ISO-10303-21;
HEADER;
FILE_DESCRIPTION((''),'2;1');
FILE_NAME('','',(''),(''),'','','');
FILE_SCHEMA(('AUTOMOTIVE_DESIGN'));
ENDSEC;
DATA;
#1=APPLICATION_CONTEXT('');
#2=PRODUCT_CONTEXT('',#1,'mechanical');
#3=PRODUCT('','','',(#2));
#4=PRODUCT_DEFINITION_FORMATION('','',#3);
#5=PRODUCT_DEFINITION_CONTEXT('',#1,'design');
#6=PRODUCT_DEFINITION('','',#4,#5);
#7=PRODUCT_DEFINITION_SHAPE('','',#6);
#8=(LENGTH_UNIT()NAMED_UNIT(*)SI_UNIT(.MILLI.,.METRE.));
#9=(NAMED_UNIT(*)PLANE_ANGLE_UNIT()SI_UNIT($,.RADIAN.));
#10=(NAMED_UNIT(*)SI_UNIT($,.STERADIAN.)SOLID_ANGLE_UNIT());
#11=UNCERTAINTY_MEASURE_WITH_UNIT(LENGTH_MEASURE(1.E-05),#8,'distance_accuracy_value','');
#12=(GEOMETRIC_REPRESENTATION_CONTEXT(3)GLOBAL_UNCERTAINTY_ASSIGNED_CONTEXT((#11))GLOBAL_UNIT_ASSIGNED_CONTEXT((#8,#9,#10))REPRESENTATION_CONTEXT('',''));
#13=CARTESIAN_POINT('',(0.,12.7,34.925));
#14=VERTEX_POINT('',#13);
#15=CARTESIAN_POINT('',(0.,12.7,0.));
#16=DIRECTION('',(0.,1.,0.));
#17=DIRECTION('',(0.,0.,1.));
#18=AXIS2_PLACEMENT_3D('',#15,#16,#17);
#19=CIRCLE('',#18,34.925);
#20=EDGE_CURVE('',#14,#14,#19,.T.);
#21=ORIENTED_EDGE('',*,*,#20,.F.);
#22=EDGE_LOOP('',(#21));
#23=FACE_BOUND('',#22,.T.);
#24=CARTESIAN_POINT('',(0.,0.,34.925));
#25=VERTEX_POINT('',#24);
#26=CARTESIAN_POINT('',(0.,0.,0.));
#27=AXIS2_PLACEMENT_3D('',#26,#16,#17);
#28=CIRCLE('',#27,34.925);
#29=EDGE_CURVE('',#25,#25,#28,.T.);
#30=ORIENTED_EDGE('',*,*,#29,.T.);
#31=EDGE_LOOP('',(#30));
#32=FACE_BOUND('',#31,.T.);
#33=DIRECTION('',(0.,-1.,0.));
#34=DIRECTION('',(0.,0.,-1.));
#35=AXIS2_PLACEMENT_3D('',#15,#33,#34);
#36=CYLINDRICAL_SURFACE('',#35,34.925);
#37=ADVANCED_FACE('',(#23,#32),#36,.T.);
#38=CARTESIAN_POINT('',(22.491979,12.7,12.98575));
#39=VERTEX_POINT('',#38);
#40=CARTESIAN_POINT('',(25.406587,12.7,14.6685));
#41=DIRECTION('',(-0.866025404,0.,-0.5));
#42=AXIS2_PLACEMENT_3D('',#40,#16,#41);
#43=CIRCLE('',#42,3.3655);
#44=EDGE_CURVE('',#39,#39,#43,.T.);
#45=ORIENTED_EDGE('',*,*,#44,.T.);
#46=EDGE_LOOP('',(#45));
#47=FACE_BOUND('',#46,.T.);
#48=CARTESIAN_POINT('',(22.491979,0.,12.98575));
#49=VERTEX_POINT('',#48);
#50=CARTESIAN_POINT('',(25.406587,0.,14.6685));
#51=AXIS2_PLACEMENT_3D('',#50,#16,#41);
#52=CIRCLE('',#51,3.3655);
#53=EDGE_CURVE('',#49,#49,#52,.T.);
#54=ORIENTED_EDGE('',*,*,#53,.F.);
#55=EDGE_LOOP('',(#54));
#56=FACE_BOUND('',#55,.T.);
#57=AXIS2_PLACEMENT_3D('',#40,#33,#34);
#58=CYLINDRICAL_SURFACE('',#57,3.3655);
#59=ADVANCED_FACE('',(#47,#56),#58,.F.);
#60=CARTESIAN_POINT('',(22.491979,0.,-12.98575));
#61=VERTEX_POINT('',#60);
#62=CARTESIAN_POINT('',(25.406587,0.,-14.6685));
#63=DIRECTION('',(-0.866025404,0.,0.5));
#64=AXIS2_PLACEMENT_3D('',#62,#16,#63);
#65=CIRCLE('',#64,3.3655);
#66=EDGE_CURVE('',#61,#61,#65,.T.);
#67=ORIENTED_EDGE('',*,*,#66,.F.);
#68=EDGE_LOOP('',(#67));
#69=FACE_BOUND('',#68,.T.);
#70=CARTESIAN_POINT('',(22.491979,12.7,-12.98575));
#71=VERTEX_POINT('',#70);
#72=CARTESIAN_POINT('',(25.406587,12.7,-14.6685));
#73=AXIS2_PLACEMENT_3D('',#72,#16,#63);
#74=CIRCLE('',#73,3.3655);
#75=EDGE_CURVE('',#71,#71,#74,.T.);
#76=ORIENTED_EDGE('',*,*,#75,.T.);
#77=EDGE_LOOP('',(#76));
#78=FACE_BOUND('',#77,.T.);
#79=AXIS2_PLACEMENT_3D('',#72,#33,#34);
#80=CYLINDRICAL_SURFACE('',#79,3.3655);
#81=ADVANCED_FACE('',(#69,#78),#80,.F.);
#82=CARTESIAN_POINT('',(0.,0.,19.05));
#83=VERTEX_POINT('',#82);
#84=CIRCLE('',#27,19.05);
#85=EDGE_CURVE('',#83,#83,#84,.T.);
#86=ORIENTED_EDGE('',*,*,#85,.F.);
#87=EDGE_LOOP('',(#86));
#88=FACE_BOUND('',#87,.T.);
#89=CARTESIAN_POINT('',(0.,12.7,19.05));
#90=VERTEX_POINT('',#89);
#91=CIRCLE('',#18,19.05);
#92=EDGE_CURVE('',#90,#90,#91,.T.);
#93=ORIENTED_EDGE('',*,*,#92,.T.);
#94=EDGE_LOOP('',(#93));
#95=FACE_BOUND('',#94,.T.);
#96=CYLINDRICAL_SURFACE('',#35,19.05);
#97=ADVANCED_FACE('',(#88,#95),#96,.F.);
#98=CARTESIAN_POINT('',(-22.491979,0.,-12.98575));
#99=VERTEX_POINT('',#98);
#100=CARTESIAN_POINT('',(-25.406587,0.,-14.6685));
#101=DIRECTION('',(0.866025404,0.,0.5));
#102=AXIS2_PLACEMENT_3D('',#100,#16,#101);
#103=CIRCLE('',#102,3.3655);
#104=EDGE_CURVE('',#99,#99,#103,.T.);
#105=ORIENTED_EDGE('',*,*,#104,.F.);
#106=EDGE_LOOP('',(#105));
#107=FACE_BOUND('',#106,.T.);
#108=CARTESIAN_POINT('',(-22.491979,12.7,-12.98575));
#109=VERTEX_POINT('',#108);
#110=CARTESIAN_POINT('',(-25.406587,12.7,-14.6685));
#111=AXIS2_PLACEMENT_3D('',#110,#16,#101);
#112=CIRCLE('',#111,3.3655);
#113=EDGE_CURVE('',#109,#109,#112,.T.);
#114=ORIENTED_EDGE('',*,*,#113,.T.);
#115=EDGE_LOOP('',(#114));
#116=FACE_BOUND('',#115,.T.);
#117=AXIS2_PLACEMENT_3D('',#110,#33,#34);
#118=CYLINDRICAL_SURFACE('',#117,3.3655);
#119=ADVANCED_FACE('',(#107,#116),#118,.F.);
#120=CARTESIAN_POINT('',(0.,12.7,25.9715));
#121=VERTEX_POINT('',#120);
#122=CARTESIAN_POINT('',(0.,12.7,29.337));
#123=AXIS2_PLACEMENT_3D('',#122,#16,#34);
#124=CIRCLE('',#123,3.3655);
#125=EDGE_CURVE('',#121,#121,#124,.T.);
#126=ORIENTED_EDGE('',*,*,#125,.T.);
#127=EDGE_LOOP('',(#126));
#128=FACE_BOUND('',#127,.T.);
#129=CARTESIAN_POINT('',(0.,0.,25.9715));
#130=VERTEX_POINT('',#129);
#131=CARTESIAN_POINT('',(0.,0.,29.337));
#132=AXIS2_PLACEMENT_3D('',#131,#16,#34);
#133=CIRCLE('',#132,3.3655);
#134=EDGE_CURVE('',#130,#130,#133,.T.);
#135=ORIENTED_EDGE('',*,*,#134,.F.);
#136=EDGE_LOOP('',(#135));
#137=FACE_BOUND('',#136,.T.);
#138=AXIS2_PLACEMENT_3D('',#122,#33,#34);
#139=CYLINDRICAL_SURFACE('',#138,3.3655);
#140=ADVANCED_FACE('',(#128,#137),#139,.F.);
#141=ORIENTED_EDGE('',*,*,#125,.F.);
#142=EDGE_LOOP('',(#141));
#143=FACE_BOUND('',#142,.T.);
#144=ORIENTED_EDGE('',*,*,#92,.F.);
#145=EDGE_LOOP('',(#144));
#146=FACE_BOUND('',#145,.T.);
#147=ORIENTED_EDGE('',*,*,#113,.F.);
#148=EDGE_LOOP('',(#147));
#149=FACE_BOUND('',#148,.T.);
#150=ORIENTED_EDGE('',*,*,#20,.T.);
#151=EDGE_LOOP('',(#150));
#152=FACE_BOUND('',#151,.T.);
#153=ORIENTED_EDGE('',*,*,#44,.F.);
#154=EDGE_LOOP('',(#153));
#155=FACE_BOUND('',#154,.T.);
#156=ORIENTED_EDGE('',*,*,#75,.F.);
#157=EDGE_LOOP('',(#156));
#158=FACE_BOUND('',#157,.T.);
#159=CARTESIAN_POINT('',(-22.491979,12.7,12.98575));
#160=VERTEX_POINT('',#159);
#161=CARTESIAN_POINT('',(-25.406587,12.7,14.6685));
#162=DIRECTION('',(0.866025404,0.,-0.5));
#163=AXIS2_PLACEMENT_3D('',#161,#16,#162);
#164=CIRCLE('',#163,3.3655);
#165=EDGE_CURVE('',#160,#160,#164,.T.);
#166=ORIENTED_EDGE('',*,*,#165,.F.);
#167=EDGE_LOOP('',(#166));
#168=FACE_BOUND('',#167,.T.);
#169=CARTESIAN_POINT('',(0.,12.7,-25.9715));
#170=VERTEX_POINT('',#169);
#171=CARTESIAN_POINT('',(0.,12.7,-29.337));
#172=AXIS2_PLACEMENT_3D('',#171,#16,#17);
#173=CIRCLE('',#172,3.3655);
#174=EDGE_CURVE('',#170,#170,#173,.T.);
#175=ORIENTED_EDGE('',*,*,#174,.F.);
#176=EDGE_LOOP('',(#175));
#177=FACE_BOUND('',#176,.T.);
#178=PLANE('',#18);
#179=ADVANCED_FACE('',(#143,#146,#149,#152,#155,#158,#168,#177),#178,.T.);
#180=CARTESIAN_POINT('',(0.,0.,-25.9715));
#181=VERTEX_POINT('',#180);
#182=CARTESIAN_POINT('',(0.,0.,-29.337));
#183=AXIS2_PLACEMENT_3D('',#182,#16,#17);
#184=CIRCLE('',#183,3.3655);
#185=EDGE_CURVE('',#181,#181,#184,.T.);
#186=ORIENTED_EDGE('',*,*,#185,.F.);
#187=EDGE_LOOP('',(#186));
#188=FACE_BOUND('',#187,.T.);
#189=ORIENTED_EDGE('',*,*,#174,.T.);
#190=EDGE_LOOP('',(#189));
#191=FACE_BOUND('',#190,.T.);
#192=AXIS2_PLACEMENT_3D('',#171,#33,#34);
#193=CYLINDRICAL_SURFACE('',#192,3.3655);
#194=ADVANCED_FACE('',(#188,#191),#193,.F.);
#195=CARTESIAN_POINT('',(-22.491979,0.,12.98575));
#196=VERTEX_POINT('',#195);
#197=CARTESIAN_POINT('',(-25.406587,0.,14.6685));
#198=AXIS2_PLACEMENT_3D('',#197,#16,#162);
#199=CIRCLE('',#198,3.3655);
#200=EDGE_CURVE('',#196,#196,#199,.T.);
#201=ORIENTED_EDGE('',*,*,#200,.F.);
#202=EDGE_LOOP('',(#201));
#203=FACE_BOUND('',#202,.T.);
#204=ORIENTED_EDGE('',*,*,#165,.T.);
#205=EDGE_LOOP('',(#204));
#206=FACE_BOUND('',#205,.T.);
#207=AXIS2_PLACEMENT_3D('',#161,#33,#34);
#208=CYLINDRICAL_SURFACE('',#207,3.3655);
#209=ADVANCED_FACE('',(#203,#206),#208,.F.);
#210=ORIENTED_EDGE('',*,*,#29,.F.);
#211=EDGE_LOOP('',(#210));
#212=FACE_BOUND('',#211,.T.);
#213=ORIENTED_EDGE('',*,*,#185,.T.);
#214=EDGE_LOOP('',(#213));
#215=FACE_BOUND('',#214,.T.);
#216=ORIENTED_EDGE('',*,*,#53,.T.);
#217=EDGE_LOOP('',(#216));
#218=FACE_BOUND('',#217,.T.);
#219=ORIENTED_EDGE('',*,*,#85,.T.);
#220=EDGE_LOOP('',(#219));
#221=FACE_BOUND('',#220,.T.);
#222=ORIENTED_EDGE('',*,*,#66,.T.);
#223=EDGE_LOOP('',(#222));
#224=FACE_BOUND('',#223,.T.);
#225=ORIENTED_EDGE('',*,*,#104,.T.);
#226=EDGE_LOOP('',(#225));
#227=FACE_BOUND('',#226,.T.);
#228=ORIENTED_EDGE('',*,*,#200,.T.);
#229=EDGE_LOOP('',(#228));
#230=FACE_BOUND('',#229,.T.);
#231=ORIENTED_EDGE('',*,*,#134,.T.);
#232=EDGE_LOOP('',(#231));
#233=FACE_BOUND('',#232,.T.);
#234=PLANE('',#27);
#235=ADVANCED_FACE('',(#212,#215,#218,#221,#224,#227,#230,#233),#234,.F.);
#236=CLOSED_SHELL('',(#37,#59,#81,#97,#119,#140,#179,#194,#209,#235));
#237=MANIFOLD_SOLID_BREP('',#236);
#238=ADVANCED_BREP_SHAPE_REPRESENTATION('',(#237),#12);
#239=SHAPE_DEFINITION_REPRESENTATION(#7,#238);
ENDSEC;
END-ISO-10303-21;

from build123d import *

# Parameters (mm, degrees)
SKETCH1_R          = 34.925
EXTRUDE1_DEPTH     = 12.7
SKETCH2_R          = 19.05
CUT_EXTRUDE1_DEPTH = 13.7
SKETCH3_R          = 3.3655
CUT_EXTRUDE2_DEPTH = 13.7
CIRPATTERN1_COUNT  = 6


with BuildPart() as part:
    # Sketch1 → Extrude1 (new body)
    with BuildSketch(Plane(origin=(0, 0, 0), x_dir=(1, 0, 0), z_dir=(0, 1, 0))):
        Circle(SKETCH1_R)
    extrude(amount=EXTRUDE1_DEPTH)

    # Sketch2 → Cut-Extrude1 (cut, through all)
    with BuildSketch(Plane(origin=(0, 0, 0), x_dir=(1, 0, 0), z_dir=(0, 1, 0))):
        Circle(SKETCH2_R)
    extrude(amount=CUT_EXTRUDE1_DEPTH, mode=Mode.SUBTRACT)

    # Sketch3 → Cut-Extrude2 (cut, through all)
    with BuildSketch(Plane(origin=(0, 0, 0), x_dir=(1, 0, 0), z_dir=(0, 1, 0))):
        with Locations((0, 29.337)):
            Circle(SKETCH3_R)
    cut_extrude2 = extrude(amount=CUT_EXTRUDE2_DEPTH, mode=Mode.SUBTRACT)

    # CirPattern1: Cut-Extrude2 ×6 about axis
    cirpattern1_axis = Axis((0, 0, 0), (0, 1, 0))
    for i in range(1, CIRPATTERN1_COUNT):
        add(cut_extrude2.rotate(cirpattern1_axis, i * 360 / CIRPATTERN1_COUNT), mode=Mode.SUBTRACT)


solid = part.part
